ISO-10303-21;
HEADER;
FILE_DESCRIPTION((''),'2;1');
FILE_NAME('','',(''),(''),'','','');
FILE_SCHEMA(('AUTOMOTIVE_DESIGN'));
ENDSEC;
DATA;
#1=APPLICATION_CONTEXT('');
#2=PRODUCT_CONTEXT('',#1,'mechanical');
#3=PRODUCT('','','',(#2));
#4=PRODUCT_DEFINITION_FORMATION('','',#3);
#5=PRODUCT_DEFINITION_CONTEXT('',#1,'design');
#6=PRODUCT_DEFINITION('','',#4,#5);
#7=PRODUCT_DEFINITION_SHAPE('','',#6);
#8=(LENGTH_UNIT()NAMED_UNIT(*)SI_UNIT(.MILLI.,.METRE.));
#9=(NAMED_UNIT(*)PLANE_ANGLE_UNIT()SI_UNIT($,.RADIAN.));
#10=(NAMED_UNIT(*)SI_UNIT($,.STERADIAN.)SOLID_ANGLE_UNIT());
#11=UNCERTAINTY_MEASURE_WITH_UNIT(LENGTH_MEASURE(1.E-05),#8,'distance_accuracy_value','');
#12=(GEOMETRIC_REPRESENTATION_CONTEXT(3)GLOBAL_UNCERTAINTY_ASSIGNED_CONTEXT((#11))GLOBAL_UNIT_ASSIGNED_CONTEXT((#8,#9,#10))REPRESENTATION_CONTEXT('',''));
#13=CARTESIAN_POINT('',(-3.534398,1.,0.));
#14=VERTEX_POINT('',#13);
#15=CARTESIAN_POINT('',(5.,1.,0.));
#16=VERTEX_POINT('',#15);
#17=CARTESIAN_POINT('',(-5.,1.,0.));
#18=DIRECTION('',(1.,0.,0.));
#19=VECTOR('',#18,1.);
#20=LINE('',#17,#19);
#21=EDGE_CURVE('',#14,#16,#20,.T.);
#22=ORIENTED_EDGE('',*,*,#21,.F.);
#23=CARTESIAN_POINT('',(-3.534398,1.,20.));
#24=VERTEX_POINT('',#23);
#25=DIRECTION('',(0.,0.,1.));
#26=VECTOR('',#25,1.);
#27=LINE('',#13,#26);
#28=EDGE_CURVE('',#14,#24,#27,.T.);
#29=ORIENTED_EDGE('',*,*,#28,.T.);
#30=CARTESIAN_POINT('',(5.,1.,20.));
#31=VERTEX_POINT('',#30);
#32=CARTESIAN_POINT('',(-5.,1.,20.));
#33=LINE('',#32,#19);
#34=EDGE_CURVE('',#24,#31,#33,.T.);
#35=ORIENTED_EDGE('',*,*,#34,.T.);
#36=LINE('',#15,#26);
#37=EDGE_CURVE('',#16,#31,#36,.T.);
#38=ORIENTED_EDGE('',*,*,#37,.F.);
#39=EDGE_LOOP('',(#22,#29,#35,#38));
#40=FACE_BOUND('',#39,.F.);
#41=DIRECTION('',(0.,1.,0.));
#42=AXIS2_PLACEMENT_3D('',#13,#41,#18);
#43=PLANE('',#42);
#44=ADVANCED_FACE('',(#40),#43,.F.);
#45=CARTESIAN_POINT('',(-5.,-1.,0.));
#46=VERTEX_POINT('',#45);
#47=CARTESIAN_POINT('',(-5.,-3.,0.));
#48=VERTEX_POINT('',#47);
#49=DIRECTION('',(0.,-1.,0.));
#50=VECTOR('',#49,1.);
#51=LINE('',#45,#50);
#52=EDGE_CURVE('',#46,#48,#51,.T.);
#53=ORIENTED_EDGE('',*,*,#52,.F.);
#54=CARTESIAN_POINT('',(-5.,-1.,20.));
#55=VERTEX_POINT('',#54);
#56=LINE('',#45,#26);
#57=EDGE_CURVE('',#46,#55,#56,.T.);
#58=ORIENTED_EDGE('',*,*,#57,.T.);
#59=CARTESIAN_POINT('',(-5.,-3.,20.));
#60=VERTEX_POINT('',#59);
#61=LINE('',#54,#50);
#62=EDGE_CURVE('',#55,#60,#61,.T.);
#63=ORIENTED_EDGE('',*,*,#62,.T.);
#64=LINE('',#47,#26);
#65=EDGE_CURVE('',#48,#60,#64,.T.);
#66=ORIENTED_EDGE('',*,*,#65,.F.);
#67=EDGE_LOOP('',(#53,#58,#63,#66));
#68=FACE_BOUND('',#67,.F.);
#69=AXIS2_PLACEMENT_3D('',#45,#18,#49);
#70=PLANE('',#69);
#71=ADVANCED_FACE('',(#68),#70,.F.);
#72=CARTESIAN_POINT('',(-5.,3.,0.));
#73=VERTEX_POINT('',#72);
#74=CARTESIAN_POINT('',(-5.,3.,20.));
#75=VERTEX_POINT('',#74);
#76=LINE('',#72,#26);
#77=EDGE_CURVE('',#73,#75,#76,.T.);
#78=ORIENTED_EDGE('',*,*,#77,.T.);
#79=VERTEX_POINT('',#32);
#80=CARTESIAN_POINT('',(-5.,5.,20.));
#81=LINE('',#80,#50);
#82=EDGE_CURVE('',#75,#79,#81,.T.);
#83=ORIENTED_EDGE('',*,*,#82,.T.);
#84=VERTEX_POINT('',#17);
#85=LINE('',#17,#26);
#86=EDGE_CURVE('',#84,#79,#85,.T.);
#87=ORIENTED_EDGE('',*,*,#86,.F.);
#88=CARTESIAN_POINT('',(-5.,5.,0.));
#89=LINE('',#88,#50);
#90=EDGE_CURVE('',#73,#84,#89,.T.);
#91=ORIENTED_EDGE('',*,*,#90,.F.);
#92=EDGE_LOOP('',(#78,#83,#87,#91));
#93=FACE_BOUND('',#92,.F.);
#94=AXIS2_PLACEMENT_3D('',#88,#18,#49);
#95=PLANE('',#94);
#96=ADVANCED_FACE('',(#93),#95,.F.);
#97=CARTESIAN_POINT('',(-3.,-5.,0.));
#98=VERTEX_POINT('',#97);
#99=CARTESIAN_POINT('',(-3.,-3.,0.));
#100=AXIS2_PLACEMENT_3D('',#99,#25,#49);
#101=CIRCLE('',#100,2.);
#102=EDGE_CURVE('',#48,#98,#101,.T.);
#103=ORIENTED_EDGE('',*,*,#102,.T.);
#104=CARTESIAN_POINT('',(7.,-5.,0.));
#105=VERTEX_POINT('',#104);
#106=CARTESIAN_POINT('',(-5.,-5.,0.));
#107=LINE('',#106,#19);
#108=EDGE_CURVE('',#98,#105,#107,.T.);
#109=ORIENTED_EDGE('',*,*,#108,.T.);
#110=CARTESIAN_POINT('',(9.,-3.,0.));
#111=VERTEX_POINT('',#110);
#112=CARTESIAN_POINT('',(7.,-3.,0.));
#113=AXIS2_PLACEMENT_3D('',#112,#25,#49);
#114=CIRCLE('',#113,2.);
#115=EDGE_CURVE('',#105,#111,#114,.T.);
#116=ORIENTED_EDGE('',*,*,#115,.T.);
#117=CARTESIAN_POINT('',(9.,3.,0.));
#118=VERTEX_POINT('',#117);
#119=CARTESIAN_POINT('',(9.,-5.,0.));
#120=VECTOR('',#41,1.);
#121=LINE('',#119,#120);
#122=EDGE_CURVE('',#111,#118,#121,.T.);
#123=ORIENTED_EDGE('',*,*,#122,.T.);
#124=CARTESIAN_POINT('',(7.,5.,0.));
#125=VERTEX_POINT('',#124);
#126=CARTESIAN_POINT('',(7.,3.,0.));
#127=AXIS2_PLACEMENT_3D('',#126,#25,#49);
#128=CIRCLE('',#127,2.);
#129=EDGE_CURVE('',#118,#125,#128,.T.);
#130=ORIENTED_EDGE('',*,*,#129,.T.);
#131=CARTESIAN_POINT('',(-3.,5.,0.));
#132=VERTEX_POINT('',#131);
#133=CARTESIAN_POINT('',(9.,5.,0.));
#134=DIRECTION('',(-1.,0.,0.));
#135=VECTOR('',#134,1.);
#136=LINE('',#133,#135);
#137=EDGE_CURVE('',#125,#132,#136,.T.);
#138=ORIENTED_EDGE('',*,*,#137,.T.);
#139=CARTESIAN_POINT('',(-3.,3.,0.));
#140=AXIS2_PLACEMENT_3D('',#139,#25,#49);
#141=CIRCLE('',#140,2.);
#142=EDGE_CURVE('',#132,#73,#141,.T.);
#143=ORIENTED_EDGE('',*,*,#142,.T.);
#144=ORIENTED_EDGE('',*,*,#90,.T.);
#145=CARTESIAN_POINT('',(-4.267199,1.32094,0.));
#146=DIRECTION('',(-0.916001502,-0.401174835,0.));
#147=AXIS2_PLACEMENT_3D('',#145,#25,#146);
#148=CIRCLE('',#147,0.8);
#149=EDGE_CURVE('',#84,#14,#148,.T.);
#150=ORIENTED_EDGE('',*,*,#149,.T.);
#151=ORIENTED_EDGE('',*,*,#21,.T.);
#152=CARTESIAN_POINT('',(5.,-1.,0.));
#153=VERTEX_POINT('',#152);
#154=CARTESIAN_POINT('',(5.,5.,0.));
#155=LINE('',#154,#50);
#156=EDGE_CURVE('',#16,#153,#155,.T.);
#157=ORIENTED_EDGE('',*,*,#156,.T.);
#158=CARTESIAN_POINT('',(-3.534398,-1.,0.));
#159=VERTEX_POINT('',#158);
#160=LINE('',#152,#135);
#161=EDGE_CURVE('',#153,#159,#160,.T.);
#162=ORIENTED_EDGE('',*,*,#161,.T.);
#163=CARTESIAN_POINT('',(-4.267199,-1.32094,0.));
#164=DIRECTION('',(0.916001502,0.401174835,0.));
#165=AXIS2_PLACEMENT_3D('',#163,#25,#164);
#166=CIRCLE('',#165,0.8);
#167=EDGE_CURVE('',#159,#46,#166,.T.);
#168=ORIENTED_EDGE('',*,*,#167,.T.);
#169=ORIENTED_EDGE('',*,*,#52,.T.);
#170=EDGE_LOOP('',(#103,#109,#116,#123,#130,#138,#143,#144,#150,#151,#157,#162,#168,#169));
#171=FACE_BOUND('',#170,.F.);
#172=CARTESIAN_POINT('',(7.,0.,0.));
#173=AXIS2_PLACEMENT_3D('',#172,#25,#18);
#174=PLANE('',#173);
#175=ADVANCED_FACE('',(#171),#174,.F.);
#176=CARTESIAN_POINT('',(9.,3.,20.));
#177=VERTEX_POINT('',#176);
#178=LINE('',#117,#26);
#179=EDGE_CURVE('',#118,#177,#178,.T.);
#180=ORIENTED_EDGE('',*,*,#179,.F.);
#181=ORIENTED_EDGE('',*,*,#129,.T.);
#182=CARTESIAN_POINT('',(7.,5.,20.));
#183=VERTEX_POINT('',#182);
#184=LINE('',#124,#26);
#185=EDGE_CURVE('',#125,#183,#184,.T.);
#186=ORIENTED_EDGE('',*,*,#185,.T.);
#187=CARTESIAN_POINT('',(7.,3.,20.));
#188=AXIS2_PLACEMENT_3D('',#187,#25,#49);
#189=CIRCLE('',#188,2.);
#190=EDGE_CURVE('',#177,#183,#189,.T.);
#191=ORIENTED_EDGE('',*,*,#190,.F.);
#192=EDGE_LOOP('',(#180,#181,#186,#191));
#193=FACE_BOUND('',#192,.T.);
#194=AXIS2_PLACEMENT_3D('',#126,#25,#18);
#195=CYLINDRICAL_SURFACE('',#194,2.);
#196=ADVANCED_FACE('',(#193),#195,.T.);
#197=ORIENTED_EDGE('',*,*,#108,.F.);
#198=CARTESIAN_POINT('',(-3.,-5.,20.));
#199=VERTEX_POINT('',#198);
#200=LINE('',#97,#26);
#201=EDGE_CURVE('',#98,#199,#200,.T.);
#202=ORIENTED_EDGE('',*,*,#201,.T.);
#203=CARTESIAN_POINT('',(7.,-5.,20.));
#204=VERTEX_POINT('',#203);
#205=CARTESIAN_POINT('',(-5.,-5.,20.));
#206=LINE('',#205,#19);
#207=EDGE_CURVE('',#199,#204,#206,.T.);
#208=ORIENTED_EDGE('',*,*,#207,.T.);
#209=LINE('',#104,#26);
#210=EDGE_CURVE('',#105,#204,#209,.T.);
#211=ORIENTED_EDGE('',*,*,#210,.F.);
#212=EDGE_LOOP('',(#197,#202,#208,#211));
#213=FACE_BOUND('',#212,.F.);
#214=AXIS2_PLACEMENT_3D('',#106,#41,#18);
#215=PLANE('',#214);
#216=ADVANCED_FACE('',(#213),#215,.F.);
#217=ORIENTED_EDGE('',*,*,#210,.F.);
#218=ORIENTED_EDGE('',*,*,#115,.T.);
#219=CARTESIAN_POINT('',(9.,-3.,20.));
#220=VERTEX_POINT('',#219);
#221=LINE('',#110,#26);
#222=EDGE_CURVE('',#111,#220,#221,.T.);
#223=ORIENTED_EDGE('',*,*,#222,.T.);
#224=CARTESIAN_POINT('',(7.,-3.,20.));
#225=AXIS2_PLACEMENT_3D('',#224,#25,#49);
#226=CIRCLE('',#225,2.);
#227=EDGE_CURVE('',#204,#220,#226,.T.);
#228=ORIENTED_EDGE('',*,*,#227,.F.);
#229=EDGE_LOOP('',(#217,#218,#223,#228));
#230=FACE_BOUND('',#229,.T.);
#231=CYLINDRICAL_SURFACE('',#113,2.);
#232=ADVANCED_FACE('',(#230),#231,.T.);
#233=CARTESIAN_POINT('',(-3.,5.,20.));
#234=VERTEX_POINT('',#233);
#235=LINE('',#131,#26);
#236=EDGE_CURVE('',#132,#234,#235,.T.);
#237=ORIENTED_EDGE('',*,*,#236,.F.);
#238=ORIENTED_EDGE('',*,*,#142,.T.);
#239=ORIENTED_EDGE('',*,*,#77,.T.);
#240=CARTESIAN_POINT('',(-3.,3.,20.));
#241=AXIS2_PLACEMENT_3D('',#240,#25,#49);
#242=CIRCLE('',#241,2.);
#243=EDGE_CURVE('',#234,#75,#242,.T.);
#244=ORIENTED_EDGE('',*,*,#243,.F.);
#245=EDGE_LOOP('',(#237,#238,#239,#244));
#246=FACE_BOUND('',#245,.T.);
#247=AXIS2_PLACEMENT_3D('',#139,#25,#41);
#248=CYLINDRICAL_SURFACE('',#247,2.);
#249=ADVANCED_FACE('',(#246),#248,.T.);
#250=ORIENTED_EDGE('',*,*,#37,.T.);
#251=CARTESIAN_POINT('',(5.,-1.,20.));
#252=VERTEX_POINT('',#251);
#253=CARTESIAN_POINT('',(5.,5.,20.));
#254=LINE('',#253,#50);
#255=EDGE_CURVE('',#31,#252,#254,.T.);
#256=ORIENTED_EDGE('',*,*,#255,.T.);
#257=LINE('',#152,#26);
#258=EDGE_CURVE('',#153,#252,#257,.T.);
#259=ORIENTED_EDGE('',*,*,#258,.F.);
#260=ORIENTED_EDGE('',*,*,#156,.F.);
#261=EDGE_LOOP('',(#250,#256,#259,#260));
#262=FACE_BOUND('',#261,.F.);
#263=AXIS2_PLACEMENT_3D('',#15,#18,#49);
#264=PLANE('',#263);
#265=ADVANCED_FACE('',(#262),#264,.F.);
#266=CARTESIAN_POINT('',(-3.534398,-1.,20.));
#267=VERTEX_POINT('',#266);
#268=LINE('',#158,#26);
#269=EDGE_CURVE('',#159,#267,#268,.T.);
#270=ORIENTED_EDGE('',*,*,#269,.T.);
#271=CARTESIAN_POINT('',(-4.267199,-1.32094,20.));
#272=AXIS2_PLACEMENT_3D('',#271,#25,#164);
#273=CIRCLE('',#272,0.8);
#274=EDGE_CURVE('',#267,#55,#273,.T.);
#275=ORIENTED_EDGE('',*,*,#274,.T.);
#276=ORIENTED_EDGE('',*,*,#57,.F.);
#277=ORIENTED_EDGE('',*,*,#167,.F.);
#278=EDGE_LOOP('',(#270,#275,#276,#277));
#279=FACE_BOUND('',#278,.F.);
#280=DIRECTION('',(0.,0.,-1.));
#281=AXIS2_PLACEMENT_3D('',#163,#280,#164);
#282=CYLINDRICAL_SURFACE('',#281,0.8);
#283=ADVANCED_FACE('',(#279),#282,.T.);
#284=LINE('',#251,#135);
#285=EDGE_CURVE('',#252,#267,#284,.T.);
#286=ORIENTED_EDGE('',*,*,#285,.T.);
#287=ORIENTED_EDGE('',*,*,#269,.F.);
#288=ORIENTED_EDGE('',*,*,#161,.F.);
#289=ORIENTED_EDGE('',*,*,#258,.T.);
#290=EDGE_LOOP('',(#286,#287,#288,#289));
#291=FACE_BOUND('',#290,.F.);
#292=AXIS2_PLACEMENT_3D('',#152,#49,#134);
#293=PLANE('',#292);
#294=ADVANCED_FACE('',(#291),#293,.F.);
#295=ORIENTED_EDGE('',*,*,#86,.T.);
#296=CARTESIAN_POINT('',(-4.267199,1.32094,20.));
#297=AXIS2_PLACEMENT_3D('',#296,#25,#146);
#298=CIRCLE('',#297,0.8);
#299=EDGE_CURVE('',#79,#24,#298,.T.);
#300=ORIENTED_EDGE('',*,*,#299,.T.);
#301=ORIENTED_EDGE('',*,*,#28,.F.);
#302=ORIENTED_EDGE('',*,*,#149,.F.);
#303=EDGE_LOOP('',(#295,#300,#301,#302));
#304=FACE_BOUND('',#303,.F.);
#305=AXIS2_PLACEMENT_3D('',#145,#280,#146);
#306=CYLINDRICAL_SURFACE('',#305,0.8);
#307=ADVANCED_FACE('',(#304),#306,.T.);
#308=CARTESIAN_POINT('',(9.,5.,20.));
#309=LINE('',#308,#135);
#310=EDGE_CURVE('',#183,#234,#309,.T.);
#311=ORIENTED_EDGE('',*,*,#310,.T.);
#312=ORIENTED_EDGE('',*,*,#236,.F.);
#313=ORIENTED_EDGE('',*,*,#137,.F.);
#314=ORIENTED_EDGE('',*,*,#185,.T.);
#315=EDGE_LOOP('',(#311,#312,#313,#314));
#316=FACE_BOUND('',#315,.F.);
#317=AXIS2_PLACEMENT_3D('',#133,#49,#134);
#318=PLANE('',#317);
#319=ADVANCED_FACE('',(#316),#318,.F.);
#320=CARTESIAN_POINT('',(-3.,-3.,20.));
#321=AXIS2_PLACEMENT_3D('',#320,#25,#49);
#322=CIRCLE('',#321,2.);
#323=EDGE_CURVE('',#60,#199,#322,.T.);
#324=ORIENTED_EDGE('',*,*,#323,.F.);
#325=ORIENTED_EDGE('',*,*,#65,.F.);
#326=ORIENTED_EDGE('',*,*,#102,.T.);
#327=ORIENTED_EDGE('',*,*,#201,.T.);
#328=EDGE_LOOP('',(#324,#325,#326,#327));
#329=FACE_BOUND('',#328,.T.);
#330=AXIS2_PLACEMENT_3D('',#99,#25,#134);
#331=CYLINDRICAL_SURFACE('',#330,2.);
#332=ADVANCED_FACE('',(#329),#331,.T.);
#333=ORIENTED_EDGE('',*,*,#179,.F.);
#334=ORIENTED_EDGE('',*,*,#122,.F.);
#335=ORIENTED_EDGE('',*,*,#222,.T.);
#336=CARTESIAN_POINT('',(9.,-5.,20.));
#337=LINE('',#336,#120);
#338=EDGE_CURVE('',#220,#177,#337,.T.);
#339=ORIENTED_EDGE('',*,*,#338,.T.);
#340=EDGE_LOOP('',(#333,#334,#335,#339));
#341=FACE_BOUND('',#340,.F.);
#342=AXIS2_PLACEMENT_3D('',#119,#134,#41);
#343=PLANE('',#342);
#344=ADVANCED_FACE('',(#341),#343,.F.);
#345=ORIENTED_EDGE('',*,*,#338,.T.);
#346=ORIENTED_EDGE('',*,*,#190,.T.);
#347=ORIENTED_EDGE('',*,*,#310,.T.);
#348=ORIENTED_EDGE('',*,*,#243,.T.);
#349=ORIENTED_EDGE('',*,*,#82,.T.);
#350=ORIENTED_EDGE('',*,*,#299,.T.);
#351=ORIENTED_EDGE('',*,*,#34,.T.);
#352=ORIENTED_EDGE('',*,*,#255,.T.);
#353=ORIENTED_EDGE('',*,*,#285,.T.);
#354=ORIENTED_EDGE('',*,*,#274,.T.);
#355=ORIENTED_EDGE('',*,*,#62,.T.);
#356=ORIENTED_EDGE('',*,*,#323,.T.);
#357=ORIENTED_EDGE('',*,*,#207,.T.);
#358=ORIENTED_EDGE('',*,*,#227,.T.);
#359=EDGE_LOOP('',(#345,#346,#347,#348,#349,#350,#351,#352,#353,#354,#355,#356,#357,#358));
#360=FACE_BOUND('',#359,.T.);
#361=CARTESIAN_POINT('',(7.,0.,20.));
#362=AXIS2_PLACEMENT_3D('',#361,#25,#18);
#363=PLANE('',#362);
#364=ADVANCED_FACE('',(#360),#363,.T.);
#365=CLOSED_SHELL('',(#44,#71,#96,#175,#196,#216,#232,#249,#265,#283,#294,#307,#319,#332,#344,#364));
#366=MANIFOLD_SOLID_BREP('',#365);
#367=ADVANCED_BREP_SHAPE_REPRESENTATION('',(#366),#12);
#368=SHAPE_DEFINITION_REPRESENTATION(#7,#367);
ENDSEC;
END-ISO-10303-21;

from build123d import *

# Parameters (mm, degrees)
F1_DEPTH = 20
F2_R     = 2


with BuildPart() as f1:
    # F0 (on Top) → F1 (new body)
    with BuildSketch(Plane.XY):
        Polygon((5, 5), (5, 1), (5, -1), (5, -5), (9, -5), (9, 5), align=None)
        Polygon((-3.534398, 1), (5, 1), (5, 5), (-5, 5), (-5, 1), align=None)
        Polygon((5, -5), (5, -1), (-3.534398, -1), (-5, -1), (-5, -5), align=None)
        with BuildLine():
            Line((-5, -1), (-3.534398, -1))
            ThreePointArc((-3.534398, -1), (-4.267199, -0.52094), (-5, -1))
        make_face()
        with BuildLine():
            ThreePointArc((-5, 1), (-4.267199, 0.52094), (-3.534398, 1))
            Line((-3.534398, 1), (-5, 1))
        make_face()
    extrude(amount=F1_DEPTH)

    # F2
    f2_edges = [f1.edges().sort_by_distance(p)[0] for p in [
        (9, 5, 10),
        (9, -5, 10),
        (-5, -5, 10),
        (-5, 5, 10),
    ]]
    fillet(f2_edges, radius=F2_R)


solid = f1.part
